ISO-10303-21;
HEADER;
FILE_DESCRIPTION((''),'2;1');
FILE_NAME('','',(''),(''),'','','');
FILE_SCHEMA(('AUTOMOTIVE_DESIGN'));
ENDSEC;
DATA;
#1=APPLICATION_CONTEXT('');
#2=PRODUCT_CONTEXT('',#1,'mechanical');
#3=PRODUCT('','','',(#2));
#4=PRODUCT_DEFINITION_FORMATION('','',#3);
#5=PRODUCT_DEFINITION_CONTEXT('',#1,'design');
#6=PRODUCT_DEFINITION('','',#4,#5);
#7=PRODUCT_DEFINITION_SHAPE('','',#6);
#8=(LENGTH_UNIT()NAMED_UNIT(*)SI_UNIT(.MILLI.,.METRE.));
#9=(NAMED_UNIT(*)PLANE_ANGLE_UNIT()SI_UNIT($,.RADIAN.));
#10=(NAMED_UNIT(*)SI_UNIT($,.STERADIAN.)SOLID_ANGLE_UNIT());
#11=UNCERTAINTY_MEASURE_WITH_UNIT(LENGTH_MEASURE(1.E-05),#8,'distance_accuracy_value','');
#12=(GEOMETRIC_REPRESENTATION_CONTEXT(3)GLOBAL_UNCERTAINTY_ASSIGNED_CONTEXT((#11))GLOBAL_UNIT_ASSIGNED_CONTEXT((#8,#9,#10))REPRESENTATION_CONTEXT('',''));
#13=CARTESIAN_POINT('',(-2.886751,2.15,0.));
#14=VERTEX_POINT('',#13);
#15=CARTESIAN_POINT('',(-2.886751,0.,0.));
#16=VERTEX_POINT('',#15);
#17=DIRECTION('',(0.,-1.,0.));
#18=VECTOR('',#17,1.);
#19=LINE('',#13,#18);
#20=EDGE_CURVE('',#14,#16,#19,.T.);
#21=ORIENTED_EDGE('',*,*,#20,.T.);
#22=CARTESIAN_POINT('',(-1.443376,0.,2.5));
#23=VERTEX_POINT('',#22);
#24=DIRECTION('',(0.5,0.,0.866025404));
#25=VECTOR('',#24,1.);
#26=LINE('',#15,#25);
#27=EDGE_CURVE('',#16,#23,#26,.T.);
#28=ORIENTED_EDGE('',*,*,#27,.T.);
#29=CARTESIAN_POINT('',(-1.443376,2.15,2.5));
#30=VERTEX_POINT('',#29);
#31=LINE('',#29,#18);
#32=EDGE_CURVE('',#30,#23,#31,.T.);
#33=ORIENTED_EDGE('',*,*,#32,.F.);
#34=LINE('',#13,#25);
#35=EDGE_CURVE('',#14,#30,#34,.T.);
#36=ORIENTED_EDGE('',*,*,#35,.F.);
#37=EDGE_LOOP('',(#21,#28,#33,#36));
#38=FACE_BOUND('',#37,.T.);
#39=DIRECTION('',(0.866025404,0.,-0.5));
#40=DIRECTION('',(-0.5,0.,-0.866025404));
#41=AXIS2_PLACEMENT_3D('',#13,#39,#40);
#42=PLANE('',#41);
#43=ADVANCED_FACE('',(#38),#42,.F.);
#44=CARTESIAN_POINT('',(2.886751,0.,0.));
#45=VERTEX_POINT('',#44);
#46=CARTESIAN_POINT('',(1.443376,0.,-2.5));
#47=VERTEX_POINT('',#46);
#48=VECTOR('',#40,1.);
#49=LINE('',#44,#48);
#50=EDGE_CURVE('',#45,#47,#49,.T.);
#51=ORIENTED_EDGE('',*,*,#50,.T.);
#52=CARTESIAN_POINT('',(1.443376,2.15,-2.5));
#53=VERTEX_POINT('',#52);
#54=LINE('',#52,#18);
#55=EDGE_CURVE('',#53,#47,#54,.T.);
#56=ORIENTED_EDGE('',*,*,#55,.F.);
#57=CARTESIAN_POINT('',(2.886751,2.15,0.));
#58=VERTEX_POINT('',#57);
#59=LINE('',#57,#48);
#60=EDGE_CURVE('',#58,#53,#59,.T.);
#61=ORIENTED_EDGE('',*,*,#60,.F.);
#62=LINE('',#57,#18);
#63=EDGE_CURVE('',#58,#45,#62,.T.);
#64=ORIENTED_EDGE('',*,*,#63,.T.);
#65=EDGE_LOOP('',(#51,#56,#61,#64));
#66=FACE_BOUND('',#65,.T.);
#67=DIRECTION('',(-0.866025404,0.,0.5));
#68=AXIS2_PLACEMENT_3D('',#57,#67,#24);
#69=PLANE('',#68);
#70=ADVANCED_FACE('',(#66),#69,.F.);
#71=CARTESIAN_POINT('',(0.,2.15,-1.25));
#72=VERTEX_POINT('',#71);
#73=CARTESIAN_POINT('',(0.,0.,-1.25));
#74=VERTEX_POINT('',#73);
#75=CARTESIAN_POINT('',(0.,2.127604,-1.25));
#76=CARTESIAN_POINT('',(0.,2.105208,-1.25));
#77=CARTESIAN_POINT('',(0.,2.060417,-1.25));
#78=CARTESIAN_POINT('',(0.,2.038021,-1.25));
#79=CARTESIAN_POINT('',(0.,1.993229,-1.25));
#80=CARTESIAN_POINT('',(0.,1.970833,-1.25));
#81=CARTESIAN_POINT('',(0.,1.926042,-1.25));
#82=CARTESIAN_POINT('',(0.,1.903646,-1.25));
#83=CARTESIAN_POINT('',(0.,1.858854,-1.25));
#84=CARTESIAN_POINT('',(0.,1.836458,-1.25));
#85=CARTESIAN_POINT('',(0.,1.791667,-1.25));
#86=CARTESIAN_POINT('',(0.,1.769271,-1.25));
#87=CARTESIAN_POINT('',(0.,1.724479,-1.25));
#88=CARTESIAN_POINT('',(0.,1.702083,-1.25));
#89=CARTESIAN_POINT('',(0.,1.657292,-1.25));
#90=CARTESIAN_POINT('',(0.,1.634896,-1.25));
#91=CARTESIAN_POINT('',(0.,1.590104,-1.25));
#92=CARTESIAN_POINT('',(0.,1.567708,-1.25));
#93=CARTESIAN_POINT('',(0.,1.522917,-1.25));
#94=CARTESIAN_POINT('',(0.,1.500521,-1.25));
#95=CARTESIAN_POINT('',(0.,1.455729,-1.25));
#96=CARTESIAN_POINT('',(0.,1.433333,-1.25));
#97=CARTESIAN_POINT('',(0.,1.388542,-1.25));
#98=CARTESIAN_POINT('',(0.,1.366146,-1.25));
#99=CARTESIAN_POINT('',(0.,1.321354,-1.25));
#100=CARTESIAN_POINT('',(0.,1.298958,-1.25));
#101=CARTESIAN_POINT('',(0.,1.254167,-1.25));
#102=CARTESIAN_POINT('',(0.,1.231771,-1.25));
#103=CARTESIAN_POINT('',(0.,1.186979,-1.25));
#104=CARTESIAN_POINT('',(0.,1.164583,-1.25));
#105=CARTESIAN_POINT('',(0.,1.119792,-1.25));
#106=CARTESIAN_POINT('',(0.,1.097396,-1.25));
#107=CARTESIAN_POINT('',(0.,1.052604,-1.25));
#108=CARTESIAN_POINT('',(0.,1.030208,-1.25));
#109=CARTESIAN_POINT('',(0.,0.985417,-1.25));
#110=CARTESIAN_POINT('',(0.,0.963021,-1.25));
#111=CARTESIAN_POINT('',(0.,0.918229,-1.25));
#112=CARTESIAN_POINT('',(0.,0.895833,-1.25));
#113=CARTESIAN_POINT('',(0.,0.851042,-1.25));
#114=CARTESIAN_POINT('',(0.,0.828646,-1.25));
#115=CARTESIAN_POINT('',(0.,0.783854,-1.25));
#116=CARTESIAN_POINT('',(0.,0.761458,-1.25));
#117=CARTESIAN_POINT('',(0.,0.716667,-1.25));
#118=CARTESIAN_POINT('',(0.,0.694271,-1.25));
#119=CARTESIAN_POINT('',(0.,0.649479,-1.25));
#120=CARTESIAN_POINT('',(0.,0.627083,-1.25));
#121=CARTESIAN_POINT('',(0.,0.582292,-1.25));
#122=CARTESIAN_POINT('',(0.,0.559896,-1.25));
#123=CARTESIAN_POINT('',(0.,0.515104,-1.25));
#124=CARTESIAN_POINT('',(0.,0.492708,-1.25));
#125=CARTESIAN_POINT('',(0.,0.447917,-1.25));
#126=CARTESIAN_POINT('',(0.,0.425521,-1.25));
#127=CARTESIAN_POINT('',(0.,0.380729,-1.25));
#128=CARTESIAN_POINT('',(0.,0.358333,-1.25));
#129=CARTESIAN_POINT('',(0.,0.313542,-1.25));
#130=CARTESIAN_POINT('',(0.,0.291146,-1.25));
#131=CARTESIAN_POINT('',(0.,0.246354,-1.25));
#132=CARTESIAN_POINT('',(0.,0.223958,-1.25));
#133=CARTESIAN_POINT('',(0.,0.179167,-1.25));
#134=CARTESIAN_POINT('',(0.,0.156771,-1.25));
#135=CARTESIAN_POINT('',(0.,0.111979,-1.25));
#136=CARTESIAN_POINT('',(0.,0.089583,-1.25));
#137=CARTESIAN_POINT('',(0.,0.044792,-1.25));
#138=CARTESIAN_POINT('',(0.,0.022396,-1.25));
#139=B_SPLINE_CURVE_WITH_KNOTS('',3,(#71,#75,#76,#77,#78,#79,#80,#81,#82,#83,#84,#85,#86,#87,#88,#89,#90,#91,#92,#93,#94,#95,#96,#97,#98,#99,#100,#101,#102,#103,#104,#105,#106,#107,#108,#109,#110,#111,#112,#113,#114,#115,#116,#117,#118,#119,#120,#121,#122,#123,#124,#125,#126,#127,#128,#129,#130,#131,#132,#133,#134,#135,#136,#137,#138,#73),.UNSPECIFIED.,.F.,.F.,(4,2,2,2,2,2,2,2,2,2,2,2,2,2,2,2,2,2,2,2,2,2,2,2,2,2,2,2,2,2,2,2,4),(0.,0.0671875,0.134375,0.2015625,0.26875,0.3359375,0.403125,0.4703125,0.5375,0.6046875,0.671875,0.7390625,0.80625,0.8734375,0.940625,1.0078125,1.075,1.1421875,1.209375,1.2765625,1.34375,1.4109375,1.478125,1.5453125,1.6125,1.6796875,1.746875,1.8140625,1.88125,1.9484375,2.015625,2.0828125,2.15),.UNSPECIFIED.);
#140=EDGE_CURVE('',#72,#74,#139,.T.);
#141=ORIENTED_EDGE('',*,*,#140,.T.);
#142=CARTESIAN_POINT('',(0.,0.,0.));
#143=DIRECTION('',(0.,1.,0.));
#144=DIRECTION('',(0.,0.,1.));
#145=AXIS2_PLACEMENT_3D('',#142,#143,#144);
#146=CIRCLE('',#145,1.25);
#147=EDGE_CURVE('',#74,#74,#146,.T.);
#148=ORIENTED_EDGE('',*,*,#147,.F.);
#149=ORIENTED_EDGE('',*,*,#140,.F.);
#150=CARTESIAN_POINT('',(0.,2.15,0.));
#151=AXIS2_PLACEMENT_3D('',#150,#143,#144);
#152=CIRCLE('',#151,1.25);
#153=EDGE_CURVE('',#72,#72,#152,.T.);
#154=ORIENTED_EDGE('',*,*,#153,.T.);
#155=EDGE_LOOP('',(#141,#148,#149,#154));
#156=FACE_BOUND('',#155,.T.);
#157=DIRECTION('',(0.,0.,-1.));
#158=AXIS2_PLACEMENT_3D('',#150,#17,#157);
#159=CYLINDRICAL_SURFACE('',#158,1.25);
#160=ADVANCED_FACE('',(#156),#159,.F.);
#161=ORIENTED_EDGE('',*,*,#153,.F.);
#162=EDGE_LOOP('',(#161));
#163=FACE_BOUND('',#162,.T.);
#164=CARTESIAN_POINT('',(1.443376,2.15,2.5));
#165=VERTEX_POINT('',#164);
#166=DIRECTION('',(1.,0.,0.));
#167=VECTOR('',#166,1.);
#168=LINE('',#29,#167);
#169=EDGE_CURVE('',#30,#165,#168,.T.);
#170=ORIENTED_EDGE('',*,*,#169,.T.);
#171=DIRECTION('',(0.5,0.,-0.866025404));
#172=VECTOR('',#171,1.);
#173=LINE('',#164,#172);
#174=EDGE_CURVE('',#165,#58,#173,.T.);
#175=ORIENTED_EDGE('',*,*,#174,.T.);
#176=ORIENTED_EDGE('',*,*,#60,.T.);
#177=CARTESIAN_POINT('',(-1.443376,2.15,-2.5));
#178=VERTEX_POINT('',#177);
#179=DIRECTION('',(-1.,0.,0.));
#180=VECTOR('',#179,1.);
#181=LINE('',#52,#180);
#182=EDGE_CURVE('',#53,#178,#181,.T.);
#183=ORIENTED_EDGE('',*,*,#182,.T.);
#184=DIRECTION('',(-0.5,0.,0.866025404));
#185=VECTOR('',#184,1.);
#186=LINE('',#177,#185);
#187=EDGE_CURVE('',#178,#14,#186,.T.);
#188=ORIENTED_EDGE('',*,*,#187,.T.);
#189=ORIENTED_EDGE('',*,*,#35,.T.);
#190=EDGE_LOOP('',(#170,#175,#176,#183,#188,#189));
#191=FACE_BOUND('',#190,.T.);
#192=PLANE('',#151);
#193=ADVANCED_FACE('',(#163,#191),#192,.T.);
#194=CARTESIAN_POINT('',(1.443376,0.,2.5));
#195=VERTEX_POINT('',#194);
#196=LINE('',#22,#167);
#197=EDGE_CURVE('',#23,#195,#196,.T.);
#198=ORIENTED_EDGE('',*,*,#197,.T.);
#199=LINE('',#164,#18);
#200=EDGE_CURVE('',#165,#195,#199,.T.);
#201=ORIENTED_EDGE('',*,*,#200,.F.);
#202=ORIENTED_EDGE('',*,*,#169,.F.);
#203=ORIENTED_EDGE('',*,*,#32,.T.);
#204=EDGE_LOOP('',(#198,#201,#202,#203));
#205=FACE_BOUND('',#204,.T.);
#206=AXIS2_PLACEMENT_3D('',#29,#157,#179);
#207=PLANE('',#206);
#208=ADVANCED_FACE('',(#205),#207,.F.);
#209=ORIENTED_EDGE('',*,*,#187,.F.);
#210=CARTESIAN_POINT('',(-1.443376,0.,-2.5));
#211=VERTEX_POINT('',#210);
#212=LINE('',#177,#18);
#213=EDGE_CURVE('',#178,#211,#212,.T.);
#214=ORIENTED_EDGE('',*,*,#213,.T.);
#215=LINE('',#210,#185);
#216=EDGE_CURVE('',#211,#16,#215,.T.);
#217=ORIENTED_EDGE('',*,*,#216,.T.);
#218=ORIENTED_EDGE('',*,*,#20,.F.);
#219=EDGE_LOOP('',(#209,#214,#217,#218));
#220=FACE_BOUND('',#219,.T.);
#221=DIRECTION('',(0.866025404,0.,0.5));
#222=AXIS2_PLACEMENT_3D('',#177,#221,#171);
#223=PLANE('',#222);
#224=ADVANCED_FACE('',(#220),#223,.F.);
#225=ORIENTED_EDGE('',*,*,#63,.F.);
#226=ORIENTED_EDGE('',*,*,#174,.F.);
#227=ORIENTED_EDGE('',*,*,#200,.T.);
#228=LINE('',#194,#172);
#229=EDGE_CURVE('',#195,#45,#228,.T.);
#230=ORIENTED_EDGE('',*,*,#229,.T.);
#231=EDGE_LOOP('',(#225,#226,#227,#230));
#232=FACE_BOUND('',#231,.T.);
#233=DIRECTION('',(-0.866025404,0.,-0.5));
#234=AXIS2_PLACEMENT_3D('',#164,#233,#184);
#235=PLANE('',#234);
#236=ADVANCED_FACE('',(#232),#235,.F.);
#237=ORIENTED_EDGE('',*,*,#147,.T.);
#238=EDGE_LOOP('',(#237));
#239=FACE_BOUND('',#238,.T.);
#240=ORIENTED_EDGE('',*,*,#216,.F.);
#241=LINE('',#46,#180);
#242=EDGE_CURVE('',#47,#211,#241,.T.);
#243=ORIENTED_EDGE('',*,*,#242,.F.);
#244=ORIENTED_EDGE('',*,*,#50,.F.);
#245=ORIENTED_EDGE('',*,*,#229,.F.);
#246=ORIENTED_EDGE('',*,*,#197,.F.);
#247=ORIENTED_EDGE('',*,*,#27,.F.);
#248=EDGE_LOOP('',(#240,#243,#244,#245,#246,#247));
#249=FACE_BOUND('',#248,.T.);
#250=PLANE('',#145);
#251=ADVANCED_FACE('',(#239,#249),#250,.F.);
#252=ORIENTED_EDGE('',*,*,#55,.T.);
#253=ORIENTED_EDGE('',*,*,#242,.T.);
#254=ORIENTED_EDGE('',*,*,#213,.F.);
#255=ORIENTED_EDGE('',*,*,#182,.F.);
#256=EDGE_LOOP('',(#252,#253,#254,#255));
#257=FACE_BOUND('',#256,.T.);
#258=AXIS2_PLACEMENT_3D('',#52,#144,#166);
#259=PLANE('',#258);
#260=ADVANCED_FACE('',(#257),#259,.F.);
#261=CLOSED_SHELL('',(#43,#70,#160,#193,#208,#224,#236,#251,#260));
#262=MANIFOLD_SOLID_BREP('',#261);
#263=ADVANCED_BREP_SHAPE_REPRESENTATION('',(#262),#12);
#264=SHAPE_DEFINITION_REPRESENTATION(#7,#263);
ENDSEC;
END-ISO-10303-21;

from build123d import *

# Parameters (mm, degrees)
ESQUISSE1_R        = 1.25
BOSS_EXTRU_1_DEPTH = 2.15


with BuildPart() as part:
    # Esquisse1 → Boss.-Extru.1 (new body)
    with BuildSketch(Plane(origin=(0, 0, 0), x_dir=(1, 0, 0), z_dir=(0, 1, 0))):
        Polygon((1.443375673, 2.5), (-1.443375673, 2.5), (-2.886751346, 0), (-1.443375673, -2.5), (1.443375673, -2.5), (2.886751346, 0), align=None)
        with Locations(Location((0, 0, 0), (0, 0, 90))):
            Circle(ESQUISSE1_R, mode=Mode.SUBTRACT)
    extrude(amount=BOSS_EXTRU_1_DEPTH)


solid = part.part
